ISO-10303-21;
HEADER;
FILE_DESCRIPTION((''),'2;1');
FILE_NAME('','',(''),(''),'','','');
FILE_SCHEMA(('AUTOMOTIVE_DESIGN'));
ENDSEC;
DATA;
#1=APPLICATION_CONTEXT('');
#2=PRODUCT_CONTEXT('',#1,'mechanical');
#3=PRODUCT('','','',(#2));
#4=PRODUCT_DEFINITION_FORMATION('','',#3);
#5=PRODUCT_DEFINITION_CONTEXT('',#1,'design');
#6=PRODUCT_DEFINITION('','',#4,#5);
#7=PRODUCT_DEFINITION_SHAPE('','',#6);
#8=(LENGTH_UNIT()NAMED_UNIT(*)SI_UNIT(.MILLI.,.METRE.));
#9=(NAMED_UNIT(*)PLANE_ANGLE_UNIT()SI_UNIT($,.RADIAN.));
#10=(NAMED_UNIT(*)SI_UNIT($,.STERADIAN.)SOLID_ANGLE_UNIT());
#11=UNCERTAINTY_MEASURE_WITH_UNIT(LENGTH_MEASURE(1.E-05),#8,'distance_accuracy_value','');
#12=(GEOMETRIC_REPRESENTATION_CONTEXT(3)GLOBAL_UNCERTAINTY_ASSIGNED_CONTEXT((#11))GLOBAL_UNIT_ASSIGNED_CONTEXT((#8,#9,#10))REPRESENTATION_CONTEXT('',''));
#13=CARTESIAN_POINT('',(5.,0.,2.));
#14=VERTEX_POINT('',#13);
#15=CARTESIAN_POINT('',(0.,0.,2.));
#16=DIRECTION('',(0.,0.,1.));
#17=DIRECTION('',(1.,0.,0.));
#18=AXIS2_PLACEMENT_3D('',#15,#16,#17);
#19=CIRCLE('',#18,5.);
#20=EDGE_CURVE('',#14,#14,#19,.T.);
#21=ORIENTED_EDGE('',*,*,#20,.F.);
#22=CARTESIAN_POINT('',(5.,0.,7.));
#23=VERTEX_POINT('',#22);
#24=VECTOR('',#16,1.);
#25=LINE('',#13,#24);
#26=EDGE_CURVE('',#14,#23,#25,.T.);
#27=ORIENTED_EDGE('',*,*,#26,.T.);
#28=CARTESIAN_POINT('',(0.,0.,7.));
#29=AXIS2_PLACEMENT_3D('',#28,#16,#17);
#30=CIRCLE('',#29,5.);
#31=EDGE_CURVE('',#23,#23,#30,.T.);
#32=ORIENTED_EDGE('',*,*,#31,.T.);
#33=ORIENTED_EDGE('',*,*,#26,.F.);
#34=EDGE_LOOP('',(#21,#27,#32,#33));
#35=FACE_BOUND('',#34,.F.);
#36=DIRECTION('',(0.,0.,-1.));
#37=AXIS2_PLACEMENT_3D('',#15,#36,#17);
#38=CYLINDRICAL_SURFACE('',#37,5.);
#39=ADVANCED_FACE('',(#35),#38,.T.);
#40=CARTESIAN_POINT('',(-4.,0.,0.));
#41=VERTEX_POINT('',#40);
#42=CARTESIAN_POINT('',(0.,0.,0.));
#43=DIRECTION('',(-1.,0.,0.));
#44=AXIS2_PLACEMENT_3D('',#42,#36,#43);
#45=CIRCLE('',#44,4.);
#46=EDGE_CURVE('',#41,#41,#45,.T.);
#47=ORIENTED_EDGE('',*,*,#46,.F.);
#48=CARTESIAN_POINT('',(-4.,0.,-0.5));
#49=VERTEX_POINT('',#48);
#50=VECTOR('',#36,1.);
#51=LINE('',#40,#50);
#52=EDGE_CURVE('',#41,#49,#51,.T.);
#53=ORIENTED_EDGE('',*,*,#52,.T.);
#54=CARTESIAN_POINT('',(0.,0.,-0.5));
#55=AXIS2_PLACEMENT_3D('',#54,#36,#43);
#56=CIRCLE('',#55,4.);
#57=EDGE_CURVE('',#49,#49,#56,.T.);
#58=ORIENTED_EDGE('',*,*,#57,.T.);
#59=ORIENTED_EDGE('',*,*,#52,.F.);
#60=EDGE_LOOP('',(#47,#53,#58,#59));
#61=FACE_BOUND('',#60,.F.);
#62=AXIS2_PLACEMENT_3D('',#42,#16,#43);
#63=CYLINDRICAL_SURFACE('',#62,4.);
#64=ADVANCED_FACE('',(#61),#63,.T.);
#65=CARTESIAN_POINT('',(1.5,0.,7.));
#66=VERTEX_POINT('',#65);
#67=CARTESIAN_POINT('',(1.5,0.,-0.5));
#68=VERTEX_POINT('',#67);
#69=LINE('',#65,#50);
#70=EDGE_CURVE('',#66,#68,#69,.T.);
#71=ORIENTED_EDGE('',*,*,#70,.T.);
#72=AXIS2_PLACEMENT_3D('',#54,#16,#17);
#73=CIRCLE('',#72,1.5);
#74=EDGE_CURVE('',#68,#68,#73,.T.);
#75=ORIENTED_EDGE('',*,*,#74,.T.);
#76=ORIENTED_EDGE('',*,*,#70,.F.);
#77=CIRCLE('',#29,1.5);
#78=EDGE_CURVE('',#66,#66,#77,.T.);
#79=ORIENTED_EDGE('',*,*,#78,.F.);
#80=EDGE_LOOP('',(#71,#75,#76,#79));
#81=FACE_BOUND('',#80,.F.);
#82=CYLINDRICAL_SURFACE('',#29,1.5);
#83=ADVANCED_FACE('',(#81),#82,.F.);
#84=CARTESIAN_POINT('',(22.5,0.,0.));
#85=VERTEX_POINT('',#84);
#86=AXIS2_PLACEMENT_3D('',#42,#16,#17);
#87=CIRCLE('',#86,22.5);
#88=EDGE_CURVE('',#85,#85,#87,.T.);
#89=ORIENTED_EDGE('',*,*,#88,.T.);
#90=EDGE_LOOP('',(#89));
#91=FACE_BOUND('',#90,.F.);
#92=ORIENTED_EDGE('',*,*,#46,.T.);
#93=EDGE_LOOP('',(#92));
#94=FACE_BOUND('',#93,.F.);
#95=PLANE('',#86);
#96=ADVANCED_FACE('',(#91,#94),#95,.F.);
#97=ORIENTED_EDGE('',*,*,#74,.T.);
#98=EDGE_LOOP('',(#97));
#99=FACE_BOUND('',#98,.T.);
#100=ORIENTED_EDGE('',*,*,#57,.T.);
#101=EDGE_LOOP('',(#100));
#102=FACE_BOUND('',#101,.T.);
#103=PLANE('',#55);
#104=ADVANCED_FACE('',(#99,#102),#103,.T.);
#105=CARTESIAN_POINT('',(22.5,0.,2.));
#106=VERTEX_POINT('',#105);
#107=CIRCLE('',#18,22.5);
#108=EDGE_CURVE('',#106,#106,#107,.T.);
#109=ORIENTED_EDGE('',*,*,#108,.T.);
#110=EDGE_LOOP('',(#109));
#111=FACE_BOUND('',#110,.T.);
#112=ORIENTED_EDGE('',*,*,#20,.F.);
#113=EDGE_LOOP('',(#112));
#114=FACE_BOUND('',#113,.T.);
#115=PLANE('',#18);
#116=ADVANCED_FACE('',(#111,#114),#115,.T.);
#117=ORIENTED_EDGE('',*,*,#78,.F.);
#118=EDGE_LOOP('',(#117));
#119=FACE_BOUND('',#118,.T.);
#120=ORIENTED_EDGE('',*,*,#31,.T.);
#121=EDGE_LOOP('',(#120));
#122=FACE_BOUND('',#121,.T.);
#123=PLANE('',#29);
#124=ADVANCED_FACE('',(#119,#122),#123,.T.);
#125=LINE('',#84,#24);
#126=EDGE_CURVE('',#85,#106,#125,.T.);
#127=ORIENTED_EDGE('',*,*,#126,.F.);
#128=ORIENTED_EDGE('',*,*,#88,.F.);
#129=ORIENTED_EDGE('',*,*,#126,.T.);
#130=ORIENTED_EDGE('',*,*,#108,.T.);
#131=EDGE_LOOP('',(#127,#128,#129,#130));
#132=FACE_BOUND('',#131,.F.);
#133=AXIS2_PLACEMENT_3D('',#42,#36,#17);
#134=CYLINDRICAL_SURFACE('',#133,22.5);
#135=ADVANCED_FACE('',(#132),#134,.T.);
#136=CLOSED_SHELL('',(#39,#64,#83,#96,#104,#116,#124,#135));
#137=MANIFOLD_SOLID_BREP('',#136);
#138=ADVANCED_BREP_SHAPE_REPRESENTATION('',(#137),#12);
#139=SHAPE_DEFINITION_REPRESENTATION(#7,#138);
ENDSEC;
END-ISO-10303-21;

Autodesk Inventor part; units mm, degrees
ref_plane "YZ Plane" through (0, 0, 0) normal (1, 0, 0) x (0, 1, 0)
ref_plane "XZ Plane" through (0, 0, 0) normal (0, 1, 0) x (-1, 0, 0)
ref_plane "XY Plane" through (0, 0, 0) normal (0, 0, 1) x (1, 0, 0)
sketch "スケッチ1" plane through (0, 0, 0) normal (0, 0, 1) x (1, 0, 0)
  circle A0 centre (0, 0) radius 22.5
  dimension "d0" = 45
extrude "押し出し1" add sketch "スケッチ1" along normal blind 2
sketch "スケッチ2" plane through (0, 0, 2) normal (0, 0, 1) x (1, 0, 0)
  circle A0 centre (0, 0) radius 5
  dimension "d3" = 10
extrude "押し出し2" add sketch "スケッチ2" along normal blind 5
sketch "スケッチ3" plane through (0, 0, 0) normal (0, 0, -1) x (-1, 0, 0)
  circle A0 centre (0, 0) radius 4
  dimension "d6" = 8
extrude "押し出し3" add sketch "スケッチ3" along normal blind 0.5
sketch "スケッチ4" plane through (0, 0, 7) normal (0, 0, 1) x (1, 0, 0)
  circle A0 centre (0, 0) radius 1.5
  dimension "d9" = 3
extrude "押し出し4" cut sketch "スケッチ4" against normal blind 12
properties part number "Gear2_S50B 90B+0203" material "真鍮"
